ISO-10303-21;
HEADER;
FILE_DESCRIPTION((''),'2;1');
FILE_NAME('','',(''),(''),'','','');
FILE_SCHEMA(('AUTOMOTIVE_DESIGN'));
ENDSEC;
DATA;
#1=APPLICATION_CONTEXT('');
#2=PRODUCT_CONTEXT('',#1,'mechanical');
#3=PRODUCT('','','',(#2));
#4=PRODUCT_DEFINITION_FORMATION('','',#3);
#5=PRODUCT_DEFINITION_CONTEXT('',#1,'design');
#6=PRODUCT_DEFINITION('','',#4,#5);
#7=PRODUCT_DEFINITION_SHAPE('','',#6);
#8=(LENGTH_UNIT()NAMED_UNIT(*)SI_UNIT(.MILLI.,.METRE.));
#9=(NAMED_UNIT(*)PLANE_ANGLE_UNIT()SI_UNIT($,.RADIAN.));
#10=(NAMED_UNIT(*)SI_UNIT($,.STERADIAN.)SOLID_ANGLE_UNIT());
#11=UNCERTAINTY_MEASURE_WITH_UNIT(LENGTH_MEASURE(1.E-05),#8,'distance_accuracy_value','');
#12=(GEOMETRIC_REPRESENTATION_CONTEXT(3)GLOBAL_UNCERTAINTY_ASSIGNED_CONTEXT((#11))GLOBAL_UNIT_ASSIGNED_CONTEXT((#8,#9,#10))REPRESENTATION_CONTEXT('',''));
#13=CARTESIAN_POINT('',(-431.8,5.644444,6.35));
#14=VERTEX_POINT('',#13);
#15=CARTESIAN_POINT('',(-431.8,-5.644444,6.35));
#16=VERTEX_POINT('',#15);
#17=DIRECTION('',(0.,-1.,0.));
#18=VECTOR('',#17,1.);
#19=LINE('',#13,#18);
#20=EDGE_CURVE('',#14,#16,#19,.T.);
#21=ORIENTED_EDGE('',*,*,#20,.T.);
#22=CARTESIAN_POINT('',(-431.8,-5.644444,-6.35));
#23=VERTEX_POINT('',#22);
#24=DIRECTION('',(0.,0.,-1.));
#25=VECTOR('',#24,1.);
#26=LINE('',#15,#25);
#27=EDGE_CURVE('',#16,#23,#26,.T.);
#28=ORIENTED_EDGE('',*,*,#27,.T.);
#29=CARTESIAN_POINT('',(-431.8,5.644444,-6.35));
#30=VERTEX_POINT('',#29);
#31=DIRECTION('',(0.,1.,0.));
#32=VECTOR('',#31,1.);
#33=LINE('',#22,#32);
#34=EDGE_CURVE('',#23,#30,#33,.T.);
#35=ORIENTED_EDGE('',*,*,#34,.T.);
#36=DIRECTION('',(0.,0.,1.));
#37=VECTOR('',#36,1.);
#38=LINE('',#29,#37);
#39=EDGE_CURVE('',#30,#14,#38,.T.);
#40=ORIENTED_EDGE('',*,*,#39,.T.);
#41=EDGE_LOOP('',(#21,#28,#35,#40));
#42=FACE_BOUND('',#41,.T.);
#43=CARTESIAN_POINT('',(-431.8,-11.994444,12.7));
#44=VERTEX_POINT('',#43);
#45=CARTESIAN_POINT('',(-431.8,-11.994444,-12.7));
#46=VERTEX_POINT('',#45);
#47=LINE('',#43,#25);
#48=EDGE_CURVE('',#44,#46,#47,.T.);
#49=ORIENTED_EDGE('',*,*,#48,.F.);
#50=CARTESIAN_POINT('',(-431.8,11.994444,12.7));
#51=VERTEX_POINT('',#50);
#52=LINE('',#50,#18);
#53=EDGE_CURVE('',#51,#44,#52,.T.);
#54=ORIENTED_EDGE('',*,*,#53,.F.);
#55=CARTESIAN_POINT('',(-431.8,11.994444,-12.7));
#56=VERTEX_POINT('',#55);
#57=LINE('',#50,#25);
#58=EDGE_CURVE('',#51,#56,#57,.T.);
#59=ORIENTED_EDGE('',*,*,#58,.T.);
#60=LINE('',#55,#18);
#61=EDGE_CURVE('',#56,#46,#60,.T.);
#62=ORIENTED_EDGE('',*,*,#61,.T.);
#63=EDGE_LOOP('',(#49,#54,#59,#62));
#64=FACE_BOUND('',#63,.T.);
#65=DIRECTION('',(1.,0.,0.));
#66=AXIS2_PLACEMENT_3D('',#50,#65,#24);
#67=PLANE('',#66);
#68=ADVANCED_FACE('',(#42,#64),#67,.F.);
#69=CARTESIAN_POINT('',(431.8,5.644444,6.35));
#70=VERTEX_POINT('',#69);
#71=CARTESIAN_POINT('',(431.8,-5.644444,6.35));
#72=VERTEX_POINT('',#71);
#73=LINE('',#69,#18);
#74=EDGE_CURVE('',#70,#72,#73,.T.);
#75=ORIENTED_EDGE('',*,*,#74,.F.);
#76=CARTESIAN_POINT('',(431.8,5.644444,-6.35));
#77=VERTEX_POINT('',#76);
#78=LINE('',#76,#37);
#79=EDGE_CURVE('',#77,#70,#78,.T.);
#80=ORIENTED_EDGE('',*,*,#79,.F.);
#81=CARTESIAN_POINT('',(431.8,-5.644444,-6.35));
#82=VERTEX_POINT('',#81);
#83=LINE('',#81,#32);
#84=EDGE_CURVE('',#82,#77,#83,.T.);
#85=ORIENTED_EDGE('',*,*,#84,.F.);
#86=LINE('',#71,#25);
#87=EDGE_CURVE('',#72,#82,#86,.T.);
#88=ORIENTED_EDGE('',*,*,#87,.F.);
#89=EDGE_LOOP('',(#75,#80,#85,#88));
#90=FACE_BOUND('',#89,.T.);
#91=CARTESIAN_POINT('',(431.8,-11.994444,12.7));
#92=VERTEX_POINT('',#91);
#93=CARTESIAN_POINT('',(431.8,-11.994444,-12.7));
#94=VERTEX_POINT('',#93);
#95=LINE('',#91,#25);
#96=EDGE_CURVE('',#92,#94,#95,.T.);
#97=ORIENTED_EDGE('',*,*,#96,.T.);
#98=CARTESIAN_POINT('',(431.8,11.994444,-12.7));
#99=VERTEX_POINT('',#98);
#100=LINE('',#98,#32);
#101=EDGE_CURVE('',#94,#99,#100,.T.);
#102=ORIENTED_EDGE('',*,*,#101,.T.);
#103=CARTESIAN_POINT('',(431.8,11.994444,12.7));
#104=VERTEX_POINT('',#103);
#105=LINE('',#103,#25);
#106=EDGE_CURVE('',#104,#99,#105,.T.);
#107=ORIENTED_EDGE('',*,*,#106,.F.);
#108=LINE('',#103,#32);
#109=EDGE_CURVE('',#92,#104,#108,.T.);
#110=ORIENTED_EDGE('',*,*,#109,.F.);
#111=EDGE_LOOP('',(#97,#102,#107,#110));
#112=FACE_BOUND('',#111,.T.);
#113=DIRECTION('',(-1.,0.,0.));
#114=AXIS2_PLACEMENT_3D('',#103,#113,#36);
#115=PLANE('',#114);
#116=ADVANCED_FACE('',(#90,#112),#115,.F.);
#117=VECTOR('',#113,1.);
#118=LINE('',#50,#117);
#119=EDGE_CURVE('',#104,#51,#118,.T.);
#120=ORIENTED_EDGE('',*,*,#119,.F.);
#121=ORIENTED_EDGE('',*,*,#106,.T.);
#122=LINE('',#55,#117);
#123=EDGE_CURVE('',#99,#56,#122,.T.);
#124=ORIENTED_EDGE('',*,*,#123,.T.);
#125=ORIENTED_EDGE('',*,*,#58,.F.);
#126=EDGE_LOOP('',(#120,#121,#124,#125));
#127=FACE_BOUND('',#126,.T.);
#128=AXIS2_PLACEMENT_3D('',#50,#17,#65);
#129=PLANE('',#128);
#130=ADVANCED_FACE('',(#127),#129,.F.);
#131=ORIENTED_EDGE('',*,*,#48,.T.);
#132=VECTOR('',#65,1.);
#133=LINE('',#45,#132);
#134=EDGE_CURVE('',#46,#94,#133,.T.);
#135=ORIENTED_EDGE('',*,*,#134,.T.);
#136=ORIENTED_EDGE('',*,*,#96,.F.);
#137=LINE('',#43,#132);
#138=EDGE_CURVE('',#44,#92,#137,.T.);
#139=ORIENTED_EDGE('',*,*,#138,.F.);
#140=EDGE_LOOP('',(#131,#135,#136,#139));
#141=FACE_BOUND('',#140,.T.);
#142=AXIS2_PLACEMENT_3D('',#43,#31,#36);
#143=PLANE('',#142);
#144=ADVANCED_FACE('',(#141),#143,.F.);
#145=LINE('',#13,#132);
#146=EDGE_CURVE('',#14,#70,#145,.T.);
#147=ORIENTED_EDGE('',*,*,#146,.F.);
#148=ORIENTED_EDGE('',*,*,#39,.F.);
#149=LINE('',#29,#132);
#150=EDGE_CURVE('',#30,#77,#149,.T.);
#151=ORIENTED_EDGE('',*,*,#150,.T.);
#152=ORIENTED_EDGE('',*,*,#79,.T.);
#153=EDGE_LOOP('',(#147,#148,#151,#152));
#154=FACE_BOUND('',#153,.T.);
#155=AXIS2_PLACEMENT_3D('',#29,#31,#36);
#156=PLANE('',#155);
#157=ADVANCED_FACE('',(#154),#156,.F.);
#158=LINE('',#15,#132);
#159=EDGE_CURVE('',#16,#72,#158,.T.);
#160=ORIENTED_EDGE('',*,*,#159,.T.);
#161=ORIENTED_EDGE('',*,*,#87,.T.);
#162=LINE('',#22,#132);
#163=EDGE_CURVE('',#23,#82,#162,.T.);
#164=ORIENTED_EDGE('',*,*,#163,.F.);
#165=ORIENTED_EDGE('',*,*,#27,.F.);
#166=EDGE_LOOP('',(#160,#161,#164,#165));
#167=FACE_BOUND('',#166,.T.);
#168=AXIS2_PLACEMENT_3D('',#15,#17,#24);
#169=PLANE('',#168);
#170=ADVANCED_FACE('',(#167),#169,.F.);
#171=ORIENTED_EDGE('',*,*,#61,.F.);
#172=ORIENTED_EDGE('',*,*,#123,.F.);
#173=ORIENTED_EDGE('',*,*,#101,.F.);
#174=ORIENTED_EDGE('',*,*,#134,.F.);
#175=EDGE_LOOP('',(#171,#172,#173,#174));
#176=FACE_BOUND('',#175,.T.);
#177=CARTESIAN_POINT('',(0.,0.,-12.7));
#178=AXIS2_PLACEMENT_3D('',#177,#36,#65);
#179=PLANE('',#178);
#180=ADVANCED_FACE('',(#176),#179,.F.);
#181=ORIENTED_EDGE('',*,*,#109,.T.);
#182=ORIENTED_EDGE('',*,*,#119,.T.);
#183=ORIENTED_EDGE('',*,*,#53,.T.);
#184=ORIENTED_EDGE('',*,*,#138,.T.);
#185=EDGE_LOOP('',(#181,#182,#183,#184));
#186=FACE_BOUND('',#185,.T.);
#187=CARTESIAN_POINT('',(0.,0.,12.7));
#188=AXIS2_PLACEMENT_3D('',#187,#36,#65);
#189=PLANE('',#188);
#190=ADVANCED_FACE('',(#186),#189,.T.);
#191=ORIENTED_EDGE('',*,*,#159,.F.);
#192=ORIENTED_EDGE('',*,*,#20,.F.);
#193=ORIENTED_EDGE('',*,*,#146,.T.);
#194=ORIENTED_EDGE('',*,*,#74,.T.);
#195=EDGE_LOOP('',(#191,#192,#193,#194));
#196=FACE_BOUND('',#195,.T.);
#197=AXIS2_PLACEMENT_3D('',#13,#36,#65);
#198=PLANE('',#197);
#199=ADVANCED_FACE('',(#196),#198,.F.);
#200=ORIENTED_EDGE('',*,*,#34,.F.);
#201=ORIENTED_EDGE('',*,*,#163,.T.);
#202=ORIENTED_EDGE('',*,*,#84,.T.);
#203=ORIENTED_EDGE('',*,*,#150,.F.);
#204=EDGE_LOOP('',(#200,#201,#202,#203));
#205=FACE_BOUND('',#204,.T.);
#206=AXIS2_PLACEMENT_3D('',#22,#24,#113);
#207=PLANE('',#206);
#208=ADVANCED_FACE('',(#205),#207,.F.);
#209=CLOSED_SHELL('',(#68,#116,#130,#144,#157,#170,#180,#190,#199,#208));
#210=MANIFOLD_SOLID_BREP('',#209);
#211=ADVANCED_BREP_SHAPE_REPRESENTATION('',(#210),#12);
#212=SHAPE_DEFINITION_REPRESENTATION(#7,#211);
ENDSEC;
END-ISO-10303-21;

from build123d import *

# Parameters (mm, degrees)
SKETCH1_W           = 863.6
SKETCH1_H           = 23.988888888
BOSS_EXTRUDE1_DEPTH = 12.7
SKETCH2_W           = 12.7
SKETCH2_H           = 11.288888888
CUT_EXTRUDE1_DEPTH  = 864.776659037


with BuildPart() as part:
    # Sketch1 → Boss-Extrude1 (new, symmetric)
    with BuildSketch(Plane.XY):
        Rectangle(SKETCH1_W, SKETCH1_H)
    extrude(amount=BOSS_EXTRUDE1_DEPTH, both=True)

    # Sketch2 → Cut-Extrude1 (cut, through all)
    with BuildSketch(Plane(origin=(431.8, 0, 0), x_dir=(0, 0, -1), z_dir=(1, 0, 0))):
        Rectangle(SKETCH2_W, SKETCH2_H)
    extrude(amount=-CUT_EXTRUDE1_DEPTH, mode=Mode.SUBTRACT)


solid = part.part
